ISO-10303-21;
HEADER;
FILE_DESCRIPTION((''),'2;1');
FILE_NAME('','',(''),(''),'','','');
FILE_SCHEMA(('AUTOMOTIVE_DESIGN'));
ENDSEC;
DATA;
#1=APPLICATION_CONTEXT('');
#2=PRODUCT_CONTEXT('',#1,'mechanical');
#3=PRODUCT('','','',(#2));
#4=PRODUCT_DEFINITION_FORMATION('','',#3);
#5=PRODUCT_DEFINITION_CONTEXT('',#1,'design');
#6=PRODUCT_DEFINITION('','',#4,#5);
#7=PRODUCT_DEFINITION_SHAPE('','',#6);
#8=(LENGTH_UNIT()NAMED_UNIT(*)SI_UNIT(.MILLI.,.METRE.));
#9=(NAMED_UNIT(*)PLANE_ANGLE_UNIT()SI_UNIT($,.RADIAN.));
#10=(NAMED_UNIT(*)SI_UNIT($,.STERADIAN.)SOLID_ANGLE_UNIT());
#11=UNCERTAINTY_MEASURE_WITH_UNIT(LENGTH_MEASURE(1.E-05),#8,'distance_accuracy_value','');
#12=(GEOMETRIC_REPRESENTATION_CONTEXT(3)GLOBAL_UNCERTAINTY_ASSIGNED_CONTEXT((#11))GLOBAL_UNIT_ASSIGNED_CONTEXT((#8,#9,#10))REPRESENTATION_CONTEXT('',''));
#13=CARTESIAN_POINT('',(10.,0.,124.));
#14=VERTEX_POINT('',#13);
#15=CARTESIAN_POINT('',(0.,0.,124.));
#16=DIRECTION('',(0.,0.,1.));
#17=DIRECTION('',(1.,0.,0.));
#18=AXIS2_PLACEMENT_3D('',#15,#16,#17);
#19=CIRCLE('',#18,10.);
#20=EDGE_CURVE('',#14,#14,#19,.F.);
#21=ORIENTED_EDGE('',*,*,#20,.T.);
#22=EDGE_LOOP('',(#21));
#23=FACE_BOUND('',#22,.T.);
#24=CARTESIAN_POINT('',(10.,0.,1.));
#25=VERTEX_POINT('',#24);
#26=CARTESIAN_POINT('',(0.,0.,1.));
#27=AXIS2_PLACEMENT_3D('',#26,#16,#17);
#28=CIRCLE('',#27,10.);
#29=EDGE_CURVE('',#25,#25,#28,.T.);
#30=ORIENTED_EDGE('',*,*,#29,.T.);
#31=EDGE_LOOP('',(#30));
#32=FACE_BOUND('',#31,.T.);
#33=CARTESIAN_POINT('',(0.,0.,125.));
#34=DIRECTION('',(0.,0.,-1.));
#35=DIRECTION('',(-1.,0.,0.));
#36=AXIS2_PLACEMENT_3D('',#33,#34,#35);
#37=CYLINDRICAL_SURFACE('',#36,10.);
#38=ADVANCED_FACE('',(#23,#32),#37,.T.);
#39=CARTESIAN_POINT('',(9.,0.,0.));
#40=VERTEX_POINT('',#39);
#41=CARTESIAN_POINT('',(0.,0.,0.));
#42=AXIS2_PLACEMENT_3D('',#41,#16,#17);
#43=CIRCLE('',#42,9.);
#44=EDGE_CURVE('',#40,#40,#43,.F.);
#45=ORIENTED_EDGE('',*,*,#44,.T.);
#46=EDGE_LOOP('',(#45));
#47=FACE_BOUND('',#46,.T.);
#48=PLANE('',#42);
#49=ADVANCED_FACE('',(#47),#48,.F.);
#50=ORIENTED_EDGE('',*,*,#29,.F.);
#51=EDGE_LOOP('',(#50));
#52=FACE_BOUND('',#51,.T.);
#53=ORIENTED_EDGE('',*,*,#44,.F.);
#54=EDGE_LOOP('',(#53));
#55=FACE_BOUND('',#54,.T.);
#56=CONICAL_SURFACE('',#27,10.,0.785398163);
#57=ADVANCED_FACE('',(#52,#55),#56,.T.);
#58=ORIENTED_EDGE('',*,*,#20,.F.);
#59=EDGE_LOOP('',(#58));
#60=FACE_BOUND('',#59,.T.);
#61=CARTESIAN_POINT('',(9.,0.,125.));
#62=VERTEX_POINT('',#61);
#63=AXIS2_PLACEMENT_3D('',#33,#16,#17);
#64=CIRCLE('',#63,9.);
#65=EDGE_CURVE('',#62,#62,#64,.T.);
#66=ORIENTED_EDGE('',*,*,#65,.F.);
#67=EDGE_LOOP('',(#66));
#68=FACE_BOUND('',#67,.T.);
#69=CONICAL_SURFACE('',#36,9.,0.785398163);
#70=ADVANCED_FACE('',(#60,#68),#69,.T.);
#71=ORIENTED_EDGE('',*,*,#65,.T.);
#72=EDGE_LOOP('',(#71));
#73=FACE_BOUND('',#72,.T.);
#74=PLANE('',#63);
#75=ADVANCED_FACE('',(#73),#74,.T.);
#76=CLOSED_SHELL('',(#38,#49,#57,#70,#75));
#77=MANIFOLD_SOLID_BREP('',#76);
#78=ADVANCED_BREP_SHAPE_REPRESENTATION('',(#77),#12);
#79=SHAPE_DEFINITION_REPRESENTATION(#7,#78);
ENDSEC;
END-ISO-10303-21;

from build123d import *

# Parameters (mm, degrees)
SKETCH_1_R      = 10
EXTRUDE_1_DEPTH = 125
CHAMFER_1_SIZE  = 1


with BuildPart() as part:
    # Эскиз1 → Бобышка-Вытянуть1 (new body)
    with BuildSketch(Plane.XY):
        Circle(SKETCH_1_R)
    extrude(amount=EXTRUDE_1_DEPTH)

    # Фаска1
    chamfer_1_edges = [part.edges().sort_by_distance(p)[0] for p in [
        (-10, 0, 0),
        (-10, 0, 125),
    ]]
    chamfer(chamfer_1_edges, length=CHAMFER_1_SIZE)


solid = part.part
